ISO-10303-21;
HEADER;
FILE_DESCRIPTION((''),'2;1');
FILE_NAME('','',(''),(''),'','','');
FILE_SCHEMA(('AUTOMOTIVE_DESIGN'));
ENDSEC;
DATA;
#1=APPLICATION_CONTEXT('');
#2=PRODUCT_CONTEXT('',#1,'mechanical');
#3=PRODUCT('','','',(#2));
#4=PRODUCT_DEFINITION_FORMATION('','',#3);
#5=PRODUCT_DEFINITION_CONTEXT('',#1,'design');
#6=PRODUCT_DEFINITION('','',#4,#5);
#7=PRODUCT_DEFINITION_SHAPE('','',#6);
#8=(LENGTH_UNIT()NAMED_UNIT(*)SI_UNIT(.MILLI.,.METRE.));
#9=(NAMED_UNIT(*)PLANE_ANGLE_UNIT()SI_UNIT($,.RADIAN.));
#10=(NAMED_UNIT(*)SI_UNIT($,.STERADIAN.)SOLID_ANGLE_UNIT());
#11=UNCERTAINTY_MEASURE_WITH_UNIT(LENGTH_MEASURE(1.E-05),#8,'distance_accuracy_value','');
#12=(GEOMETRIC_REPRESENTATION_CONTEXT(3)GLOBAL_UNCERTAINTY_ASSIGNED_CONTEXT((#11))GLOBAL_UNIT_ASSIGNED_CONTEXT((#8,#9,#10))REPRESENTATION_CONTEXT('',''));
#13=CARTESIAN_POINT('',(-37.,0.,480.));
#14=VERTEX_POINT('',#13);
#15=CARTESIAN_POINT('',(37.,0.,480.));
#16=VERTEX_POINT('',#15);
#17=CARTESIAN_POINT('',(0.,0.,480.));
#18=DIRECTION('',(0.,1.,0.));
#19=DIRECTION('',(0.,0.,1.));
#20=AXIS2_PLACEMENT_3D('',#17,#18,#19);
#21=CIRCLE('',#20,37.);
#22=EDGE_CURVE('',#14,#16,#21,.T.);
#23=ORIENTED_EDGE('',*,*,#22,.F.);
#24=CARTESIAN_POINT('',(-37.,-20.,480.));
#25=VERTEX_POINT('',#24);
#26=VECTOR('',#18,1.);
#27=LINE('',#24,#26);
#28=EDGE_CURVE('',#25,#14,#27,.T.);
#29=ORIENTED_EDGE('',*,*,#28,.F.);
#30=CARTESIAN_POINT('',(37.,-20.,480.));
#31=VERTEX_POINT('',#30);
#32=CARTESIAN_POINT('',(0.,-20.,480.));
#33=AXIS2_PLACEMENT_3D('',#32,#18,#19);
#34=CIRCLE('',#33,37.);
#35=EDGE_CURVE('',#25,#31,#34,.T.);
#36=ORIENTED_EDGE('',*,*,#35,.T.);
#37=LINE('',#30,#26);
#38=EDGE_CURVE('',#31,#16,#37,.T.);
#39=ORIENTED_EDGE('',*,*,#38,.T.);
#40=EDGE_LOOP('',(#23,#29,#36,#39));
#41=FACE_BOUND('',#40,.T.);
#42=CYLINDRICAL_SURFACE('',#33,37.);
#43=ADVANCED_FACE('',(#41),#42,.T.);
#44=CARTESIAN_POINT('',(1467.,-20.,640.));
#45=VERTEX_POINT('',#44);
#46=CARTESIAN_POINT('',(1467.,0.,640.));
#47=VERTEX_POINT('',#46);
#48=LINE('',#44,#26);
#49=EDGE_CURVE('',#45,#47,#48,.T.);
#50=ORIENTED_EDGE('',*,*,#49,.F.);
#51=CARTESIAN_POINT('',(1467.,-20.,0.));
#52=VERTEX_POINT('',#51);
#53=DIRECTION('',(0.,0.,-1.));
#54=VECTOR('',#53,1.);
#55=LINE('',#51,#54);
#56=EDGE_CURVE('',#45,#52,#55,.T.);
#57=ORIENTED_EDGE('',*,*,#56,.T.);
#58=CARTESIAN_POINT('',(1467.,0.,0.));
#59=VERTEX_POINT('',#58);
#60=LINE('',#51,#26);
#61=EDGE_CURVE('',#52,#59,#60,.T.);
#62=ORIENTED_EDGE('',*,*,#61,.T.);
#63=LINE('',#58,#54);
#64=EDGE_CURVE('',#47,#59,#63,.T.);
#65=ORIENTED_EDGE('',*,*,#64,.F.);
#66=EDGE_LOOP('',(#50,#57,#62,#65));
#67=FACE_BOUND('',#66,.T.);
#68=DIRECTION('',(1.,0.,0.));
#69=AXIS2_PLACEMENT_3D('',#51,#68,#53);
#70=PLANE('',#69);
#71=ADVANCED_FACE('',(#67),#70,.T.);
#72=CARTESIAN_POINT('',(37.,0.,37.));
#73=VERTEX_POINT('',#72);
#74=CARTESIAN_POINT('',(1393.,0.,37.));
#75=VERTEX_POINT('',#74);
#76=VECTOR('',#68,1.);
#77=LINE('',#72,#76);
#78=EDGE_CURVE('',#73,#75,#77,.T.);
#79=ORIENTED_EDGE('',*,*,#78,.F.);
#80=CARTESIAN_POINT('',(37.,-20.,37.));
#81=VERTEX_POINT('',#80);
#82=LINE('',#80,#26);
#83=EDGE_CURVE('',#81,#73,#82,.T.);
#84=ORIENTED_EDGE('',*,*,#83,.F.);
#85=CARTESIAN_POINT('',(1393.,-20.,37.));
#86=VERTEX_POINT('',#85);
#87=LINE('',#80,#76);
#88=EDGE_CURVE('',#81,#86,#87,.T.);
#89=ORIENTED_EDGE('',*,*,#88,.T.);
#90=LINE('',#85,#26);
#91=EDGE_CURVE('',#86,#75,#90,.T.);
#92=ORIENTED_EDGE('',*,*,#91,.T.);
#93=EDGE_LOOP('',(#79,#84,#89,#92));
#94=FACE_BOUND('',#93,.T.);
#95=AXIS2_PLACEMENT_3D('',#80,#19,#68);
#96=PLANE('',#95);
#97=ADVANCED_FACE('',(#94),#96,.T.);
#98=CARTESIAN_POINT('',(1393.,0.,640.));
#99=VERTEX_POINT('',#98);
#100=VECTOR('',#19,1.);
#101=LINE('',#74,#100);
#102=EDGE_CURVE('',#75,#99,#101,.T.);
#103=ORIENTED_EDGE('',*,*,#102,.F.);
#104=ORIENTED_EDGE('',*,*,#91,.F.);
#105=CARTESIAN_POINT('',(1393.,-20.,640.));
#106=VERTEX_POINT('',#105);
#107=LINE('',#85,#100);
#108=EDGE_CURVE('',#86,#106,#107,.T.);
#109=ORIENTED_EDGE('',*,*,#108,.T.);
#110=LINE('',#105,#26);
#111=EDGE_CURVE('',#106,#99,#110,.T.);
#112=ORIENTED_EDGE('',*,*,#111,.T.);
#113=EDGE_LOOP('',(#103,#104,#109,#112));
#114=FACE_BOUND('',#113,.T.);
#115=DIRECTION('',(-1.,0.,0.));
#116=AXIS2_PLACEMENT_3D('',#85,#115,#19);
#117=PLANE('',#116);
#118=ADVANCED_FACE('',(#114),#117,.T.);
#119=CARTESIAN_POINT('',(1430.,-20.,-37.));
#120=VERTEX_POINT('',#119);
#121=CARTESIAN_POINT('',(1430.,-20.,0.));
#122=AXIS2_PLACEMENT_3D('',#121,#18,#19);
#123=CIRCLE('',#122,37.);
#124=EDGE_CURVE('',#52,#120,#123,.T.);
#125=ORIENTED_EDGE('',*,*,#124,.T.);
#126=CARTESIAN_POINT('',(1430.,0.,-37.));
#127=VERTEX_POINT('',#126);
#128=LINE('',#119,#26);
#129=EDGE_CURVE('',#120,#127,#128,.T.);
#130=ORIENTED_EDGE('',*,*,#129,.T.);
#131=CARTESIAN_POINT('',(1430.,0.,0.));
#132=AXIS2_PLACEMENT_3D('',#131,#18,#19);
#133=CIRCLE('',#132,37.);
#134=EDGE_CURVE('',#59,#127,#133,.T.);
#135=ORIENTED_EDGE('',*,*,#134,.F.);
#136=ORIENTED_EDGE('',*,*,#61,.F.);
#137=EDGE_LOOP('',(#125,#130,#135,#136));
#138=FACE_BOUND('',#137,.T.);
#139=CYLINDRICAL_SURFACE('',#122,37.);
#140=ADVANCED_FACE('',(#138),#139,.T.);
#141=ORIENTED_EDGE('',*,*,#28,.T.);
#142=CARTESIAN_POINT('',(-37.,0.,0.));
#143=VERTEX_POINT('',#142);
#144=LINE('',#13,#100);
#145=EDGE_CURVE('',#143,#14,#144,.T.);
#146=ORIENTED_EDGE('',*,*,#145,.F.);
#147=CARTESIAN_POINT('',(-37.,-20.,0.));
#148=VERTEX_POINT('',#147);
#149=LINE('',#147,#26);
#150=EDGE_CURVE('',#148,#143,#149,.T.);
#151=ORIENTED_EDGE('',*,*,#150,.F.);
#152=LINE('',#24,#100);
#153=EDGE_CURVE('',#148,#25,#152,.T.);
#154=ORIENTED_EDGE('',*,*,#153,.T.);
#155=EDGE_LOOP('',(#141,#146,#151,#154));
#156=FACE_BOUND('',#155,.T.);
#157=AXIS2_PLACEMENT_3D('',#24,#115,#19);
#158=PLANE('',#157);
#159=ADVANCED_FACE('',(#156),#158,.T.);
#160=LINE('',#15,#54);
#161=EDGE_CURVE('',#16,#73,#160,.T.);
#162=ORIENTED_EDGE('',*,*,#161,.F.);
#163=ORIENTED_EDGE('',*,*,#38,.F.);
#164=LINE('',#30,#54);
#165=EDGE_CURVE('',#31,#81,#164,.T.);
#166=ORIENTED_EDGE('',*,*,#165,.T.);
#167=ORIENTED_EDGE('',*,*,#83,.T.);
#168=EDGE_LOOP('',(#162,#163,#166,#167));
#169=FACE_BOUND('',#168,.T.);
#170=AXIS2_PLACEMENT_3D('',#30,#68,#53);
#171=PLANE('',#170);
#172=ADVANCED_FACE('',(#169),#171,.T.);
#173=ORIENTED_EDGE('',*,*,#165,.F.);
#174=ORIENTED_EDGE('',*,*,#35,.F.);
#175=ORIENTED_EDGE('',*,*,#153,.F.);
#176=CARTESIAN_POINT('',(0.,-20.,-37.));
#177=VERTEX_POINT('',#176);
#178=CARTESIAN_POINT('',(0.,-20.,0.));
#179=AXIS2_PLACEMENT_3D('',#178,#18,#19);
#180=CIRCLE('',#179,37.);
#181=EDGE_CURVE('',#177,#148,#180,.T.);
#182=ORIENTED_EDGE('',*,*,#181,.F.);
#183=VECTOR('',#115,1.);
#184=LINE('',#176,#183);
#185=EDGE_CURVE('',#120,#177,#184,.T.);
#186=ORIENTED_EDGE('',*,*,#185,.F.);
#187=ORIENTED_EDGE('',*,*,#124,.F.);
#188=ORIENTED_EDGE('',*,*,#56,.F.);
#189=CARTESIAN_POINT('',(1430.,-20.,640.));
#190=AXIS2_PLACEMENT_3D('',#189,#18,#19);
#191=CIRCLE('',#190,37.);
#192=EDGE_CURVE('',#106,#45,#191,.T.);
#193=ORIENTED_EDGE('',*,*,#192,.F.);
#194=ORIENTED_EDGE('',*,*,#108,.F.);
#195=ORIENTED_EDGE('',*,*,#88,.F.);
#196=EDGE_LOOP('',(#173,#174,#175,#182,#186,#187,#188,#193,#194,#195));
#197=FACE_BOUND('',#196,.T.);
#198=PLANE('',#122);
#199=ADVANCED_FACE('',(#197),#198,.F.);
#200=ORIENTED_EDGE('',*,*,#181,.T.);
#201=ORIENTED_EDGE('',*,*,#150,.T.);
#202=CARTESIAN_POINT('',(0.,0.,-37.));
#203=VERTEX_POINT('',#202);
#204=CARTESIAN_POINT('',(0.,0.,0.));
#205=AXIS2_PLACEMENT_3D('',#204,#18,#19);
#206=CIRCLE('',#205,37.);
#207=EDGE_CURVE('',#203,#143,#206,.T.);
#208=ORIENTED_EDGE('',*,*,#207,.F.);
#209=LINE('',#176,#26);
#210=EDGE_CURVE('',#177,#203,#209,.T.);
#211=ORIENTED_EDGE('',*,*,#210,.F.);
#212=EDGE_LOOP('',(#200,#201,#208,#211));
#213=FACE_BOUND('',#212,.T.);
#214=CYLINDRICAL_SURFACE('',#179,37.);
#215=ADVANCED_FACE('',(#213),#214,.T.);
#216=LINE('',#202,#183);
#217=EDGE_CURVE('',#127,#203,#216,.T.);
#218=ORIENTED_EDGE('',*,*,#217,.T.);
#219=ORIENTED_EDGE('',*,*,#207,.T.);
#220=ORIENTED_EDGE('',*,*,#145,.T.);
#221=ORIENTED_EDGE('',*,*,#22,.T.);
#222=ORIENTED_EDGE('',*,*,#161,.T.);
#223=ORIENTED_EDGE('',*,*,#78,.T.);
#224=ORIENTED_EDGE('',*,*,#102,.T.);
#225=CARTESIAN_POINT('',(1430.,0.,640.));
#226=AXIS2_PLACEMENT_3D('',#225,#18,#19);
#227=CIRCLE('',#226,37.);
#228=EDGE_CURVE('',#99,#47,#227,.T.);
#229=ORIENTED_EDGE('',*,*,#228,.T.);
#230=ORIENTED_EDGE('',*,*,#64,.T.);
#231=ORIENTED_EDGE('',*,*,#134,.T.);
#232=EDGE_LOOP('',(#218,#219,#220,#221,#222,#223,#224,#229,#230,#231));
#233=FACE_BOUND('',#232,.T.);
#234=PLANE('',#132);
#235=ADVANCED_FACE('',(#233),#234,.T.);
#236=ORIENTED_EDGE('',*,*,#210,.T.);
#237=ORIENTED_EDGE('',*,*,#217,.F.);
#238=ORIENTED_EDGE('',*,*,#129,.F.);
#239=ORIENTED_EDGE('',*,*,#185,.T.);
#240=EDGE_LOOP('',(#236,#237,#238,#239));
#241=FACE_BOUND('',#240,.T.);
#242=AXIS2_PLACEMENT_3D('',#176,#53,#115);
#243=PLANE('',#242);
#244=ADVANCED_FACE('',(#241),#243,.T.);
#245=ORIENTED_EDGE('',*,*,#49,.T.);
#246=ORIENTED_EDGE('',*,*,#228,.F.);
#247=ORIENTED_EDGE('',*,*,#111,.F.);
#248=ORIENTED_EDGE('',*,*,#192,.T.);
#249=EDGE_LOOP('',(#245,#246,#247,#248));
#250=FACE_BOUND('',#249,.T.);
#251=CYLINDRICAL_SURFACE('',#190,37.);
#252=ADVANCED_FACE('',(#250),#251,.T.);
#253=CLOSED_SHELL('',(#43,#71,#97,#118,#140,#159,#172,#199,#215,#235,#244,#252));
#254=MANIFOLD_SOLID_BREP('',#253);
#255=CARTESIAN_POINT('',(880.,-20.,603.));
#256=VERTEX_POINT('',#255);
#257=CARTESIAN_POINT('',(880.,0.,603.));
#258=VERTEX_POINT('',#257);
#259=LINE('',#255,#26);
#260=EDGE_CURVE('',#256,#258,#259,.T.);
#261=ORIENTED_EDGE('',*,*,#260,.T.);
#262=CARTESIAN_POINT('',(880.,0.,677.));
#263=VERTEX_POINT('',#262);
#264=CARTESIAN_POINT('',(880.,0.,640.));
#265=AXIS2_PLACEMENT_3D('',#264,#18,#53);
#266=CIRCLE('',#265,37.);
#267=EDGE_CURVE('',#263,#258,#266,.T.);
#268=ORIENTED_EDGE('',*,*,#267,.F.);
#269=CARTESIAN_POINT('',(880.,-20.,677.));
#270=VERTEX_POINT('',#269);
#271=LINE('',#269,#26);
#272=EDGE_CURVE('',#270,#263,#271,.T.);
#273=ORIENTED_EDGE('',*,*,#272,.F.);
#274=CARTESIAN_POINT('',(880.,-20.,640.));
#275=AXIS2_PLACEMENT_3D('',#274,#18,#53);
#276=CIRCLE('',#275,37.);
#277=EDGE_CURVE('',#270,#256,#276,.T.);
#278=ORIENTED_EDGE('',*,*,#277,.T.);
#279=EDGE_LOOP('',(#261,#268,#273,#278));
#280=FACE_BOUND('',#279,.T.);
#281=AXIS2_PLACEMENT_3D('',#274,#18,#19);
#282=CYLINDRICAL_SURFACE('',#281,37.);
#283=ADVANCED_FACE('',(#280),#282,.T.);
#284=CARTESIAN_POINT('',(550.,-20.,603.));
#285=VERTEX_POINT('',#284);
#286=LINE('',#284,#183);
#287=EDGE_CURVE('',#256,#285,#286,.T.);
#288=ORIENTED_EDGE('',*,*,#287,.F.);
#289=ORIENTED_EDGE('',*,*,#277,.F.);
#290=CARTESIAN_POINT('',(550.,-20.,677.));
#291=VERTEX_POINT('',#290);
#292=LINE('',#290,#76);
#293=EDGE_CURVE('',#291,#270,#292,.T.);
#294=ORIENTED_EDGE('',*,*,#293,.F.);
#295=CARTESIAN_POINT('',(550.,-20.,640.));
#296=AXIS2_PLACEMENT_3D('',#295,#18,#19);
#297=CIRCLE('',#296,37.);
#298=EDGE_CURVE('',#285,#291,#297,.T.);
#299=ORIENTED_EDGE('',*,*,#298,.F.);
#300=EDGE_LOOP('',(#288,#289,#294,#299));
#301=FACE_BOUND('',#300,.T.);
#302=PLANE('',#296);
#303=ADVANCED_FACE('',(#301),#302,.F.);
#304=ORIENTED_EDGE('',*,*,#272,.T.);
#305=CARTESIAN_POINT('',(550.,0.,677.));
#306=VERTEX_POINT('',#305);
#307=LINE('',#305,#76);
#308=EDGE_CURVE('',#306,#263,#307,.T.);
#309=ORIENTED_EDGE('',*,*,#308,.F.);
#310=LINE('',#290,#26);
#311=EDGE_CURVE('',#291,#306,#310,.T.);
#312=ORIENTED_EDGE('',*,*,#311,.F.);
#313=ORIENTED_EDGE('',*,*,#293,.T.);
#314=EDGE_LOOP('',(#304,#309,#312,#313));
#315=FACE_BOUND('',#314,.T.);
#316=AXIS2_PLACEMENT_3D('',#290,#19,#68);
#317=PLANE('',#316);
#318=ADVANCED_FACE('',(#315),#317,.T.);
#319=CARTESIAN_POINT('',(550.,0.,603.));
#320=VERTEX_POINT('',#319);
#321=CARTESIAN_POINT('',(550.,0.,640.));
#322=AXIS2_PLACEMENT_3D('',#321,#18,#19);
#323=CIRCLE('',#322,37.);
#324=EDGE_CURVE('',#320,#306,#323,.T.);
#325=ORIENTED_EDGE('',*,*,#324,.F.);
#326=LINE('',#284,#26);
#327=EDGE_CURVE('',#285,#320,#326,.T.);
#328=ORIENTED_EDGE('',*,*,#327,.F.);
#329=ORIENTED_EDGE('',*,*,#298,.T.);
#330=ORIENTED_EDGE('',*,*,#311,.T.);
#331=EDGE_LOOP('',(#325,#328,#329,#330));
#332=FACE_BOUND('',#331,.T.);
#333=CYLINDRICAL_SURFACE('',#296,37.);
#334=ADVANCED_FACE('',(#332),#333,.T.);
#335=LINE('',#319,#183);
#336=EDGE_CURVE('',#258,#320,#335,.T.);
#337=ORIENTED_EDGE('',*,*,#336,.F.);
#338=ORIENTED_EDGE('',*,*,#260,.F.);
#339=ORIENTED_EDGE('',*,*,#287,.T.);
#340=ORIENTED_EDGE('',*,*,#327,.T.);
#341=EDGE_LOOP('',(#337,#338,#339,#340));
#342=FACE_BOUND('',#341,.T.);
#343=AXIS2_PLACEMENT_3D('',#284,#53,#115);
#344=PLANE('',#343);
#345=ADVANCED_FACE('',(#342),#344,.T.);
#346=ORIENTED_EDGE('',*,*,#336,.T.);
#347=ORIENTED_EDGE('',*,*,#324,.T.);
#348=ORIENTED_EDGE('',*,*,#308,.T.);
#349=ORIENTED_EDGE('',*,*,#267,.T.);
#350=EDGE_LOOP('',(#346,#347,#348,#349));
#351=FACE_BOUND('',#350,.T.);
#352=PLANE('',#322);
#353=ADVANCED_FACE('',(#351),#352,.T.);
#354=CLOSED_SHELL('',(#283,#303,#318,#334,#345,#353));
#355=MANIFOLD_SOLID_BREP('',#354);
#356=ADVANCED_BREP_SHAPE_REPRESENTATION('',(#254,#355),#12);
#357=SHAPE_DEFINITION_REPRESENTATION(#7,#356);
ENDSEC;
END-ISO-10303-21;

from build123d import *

# Parameters (mm, degrees)
EXTRUDE_3_DEPTH   = 20
EXTRUDE_3_2_DEPTH = 20


with BuildPart() as part:
    # 草图5 → 凸台-拉伸3 (new body)
    with BuildSketch(Plane(origin=(0, 0, 0), x_dir=(1, 0, 0), z_dir=(0, 1, 0))):
        with BuildLine():
            Line((37, -480), (37, -37))
            Line((37, -37), (1393, -37))
            Line((1393, -37), (1393, -640))
            ThreePointArc((1393, -640), (1430, -677), (1467, -640))
            Line((1467, -640), (1467, 0))
            ThreePointArc((1467, 0), (1456.162950904, 26.162950904), (1430, 37))
            Line((1430, 37), (0, 37))
            ThreePointArc((0, 37), (-26.162950904, 26.162950904), (-37, 0))
            Line((-37, 0), (-37, -480))
            ThreePointArc((-37, -480), (0, -517), (37, -480))
        make_face()
    extrude(amount=-EXTRUDE_3_DEPTH)


with BuildPart() as body_2:
    # 草图5 → Extrude 3 2 (new body)
    with BuildSketch(Plane(origin=(0, 0, 0), x_dir=(1, 0, 0), z_dir=(0, 1, 0))):
        with BuildLine():
            Line((550, -677), (880, -677))
            ThreePointArc((880, -677), (917, -640), (880, -603))
            Line((880, -603), (550, -603))
            ThreePointArc((550, -603), (513, -640), (550, -677))
        make_face()
    extrude(amount=-EXTRUDE_3_2_DEPTH)


solid = Compound([part.part, body_2.part])
